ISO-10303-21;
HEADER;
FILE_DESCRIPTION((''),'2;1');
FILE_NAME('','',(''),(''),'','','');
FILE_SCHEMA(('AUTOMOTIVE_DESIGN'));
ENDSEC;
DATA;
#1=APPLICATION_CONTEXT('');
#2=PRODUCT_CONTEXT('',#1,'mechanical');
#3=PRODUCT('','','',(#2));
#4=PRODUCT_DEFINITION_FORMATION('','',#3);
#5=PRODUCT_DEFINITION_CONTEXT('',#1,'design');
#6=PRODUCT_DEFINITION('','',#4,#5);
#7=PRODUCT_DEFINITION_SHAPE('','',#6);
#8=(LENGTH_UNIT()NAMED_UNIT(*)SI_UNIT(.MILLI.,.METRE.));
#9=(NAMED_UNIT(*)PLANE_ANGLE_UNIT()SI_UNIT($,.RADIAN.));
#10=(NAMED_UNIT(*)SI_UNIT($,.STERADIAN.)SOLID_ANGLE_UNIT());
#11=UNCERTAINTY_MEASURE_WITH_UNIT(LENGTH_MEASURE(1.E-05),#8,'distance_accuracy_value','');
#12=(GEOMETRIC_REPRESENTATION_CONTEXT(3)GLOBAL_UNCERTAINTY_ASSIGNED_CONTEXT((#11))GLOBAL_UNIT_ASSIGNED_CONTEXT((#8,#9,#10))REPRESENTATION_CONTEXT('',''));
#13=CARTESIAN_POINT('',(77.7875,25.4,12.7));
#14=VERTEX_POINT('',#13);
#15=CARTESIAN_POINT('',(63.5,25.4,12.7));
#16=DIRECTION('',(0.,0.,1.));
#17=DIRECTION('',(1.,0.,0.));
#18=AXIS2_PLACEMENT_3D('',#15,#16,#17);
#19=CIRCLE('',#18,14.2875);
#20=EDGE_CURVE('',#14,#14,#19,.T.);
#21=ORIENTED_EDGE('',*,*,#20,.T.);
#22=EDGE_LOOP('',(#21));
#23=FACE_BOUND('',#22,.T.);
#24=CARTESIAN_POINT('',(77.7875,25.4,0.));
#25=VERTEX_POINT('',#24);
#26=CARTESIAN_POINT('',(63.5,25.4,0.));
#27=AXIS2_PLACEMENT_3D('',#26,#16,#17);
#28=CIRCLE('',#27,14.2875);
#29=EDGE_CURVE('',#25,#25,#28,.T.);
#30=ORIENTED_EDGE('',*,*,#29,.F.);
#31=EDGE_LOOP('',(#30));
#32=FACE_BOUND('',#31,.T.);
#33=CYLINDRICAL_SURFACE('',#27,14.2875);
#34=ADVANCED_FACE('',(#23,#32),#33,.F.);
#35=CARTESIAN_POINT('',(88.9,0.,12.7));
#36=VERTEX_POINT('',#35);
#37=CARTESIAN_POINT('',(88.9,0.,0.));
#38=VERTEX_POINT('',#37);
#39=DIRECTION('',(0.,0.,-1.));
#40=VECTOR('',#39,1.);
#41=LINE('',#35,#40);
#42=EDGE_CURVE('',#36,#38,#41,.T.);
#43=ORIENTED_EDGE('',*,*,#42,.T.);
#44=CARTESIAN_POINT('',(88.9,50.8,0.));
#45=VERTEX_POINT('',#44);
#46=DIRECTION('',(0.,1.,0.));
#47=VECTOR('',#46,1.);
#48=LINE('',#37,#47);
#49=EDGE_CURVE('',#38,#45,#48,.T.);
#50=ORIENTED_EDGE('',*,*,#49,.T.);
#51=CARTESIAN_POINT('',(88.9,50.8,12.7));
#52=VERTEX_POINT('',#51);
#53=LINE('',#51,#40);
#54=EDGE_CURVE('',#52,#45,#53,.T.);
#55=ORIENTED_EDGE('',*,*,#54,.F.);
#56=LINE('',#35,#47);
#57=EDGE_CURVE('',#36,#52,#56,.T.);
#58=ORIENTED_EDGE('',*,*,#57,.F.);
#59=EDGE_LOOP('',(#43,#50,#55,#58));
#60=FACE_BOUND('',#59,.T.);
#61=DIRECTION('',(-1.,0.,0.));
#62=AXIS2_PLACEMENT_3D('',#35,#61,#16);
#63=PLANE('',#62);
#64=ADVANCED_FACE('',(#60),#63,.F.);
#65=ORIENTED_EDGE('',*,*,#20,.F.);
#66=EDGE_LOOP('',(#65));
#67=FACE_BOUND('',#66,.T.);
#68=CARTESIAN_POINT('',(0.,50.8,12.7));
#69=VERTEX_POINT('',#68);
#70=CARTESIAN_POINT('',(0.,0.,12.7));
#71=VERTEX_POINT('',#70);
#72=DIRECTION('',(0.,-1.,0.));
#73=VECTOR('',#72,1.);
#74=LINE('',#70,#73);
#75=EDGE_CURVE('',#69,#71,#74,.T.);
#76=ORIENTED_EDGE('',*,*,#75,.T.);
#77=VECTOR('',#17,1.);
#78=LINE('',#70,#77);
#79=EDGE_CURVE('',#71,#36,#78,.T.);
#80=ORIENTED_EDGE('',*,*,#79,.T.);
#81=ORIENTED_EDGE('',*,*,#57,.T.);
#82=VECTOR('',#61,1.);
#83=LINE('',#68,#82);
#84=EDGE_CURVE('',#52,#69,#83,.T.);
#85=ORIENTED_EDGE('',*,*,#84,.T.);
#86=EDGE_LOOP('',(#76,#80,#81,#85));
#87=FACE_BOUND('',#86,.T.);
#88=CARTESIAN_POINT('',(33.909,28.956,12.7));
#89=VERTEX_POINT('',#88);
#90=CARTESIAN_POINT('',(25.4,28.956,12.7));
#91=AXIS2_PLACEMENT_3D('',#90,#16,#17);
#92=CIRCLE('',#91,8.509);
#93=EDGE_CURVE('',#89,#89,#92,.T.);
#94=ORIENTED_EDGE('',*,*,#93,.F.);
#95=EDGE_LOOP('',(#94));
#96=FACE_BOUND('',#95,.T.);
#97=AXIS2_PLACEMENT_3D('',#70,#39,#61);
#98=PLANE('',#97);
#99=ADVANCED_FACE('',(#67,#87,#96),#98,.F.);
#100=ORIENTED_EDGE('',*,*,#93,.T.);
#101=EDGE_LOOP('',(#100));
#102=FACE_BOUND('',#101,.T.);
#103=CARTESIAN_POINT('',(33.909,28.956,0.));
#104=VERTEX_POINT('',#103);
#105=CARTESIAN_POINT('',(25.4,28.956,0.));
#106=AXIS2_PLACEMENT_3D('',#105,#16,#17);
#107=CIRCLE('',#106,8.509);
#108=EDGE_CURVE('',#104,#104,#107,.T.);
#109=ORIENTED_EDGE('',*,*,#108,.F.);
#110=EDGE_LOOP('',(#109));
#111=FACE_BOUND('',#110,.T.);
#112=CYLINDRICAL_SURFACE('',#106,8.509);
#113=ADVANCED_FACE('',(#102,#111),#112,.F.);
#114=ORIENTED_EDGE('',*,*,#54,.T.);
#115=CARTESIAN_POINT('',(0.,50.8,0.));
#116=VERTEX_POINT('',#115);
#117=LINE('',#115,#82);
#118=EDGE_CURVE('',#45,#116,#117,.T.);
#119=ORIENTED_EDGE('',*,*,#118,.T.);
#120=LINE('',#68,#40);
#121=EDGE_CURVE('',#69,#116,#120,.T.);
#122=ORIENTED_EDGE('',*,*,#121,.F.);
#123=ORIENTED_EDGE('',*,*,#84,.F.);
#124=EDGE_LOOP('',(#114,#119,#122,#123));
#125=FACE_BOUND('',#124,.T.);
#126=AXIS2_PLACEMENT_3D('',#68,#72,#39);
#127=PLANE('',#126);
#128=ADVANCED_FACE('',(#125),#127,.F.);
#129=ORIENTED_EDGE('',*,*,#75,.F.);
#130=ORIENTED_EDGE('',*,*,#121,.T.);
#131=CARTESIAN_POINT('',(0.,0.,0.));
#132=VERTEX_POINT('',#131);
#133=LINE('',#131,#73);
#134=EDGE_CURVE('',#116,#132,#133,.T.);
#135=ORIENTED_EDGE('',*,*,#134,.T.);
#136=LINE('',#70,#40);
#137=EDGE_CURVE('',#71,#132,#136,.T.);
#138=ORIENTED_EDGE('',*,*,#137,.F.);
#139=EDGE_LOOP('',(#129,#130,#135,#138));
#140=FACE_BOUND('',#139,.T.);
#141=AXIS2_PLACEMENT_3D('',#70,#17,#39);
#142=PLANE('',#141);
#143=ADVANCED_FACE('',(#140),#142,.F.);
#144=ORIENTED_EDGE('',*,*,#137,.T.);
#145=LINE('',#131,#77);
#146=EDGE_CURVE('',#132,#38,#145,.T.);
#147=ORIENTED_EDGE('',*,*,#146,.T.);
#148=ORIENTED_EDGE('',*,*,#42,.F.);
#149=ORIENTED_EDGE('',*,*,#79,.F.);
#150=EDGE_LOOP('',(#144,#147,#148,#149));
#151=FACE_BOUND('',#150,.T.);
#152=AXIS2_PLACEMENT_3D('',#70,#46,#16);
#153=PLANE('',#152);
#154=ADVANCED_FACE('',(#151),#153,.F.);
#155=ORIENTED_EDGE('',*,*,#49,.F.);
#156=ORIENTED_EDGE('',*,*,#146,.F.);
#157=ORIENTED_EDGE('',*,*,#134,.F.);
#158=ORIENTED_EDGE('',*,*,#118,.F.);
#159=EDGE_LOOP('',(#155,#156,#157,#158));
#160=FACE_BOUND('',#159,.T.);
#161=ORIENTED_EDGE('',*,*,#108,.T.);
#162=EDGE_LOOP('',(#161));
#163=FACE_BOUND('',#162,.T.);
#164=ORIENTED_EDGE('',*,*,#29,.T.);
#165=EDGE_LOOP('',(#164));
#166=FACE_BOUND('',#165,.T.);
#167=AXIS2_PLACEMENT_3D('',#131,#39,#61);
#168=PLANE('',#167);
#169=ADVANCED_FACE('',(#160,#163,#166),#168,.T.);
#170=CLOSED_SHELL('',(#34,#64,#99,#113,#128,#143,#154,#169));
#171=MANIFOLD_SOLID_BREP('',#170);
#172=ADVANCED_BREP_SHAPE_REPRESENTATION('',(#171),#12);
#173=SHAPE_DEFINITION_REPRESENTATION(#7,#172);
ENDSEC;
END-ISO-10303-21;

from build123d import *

# Parameters (mm, degrees)
SKETCH1_W           = 88.9
SKETCH1_H           = 50.8
BOSS_EXTRUDE1_DEPTH = 12.7
SKETCH2_R           = 14.2875
SKETCH2_R_2         = 8.509
CUT_EXTRUDE1_DEPTH  = 104.175287739


with BuildPart() as part:
    # Sketch1 → Boss-Extrude1 (new body)
    with BuildSketch(Plane.XY):
        with Locations((44.45, 25.4)):
            Rectangle(SKETCH1_W, SKETCH1_H)
    extrude(amount=BOSS_EXTRUDE1_DEPTH)

    # Sketch2 → Cut-Extrude1 (cut, through all)
    with BuildSketch(Plane.XY.offset(12.7)):
        with Locations((63.5, 25.4)):
            Circle(SKETCH2_R)
        with Locations((25.4, 28.956)):
            Circle(SKETCH2_R_2)
    extrude(amount=-CUT_EXTRUDE1_DEPTH, mode=Mode.SUBTRACT)


solid = part.part
